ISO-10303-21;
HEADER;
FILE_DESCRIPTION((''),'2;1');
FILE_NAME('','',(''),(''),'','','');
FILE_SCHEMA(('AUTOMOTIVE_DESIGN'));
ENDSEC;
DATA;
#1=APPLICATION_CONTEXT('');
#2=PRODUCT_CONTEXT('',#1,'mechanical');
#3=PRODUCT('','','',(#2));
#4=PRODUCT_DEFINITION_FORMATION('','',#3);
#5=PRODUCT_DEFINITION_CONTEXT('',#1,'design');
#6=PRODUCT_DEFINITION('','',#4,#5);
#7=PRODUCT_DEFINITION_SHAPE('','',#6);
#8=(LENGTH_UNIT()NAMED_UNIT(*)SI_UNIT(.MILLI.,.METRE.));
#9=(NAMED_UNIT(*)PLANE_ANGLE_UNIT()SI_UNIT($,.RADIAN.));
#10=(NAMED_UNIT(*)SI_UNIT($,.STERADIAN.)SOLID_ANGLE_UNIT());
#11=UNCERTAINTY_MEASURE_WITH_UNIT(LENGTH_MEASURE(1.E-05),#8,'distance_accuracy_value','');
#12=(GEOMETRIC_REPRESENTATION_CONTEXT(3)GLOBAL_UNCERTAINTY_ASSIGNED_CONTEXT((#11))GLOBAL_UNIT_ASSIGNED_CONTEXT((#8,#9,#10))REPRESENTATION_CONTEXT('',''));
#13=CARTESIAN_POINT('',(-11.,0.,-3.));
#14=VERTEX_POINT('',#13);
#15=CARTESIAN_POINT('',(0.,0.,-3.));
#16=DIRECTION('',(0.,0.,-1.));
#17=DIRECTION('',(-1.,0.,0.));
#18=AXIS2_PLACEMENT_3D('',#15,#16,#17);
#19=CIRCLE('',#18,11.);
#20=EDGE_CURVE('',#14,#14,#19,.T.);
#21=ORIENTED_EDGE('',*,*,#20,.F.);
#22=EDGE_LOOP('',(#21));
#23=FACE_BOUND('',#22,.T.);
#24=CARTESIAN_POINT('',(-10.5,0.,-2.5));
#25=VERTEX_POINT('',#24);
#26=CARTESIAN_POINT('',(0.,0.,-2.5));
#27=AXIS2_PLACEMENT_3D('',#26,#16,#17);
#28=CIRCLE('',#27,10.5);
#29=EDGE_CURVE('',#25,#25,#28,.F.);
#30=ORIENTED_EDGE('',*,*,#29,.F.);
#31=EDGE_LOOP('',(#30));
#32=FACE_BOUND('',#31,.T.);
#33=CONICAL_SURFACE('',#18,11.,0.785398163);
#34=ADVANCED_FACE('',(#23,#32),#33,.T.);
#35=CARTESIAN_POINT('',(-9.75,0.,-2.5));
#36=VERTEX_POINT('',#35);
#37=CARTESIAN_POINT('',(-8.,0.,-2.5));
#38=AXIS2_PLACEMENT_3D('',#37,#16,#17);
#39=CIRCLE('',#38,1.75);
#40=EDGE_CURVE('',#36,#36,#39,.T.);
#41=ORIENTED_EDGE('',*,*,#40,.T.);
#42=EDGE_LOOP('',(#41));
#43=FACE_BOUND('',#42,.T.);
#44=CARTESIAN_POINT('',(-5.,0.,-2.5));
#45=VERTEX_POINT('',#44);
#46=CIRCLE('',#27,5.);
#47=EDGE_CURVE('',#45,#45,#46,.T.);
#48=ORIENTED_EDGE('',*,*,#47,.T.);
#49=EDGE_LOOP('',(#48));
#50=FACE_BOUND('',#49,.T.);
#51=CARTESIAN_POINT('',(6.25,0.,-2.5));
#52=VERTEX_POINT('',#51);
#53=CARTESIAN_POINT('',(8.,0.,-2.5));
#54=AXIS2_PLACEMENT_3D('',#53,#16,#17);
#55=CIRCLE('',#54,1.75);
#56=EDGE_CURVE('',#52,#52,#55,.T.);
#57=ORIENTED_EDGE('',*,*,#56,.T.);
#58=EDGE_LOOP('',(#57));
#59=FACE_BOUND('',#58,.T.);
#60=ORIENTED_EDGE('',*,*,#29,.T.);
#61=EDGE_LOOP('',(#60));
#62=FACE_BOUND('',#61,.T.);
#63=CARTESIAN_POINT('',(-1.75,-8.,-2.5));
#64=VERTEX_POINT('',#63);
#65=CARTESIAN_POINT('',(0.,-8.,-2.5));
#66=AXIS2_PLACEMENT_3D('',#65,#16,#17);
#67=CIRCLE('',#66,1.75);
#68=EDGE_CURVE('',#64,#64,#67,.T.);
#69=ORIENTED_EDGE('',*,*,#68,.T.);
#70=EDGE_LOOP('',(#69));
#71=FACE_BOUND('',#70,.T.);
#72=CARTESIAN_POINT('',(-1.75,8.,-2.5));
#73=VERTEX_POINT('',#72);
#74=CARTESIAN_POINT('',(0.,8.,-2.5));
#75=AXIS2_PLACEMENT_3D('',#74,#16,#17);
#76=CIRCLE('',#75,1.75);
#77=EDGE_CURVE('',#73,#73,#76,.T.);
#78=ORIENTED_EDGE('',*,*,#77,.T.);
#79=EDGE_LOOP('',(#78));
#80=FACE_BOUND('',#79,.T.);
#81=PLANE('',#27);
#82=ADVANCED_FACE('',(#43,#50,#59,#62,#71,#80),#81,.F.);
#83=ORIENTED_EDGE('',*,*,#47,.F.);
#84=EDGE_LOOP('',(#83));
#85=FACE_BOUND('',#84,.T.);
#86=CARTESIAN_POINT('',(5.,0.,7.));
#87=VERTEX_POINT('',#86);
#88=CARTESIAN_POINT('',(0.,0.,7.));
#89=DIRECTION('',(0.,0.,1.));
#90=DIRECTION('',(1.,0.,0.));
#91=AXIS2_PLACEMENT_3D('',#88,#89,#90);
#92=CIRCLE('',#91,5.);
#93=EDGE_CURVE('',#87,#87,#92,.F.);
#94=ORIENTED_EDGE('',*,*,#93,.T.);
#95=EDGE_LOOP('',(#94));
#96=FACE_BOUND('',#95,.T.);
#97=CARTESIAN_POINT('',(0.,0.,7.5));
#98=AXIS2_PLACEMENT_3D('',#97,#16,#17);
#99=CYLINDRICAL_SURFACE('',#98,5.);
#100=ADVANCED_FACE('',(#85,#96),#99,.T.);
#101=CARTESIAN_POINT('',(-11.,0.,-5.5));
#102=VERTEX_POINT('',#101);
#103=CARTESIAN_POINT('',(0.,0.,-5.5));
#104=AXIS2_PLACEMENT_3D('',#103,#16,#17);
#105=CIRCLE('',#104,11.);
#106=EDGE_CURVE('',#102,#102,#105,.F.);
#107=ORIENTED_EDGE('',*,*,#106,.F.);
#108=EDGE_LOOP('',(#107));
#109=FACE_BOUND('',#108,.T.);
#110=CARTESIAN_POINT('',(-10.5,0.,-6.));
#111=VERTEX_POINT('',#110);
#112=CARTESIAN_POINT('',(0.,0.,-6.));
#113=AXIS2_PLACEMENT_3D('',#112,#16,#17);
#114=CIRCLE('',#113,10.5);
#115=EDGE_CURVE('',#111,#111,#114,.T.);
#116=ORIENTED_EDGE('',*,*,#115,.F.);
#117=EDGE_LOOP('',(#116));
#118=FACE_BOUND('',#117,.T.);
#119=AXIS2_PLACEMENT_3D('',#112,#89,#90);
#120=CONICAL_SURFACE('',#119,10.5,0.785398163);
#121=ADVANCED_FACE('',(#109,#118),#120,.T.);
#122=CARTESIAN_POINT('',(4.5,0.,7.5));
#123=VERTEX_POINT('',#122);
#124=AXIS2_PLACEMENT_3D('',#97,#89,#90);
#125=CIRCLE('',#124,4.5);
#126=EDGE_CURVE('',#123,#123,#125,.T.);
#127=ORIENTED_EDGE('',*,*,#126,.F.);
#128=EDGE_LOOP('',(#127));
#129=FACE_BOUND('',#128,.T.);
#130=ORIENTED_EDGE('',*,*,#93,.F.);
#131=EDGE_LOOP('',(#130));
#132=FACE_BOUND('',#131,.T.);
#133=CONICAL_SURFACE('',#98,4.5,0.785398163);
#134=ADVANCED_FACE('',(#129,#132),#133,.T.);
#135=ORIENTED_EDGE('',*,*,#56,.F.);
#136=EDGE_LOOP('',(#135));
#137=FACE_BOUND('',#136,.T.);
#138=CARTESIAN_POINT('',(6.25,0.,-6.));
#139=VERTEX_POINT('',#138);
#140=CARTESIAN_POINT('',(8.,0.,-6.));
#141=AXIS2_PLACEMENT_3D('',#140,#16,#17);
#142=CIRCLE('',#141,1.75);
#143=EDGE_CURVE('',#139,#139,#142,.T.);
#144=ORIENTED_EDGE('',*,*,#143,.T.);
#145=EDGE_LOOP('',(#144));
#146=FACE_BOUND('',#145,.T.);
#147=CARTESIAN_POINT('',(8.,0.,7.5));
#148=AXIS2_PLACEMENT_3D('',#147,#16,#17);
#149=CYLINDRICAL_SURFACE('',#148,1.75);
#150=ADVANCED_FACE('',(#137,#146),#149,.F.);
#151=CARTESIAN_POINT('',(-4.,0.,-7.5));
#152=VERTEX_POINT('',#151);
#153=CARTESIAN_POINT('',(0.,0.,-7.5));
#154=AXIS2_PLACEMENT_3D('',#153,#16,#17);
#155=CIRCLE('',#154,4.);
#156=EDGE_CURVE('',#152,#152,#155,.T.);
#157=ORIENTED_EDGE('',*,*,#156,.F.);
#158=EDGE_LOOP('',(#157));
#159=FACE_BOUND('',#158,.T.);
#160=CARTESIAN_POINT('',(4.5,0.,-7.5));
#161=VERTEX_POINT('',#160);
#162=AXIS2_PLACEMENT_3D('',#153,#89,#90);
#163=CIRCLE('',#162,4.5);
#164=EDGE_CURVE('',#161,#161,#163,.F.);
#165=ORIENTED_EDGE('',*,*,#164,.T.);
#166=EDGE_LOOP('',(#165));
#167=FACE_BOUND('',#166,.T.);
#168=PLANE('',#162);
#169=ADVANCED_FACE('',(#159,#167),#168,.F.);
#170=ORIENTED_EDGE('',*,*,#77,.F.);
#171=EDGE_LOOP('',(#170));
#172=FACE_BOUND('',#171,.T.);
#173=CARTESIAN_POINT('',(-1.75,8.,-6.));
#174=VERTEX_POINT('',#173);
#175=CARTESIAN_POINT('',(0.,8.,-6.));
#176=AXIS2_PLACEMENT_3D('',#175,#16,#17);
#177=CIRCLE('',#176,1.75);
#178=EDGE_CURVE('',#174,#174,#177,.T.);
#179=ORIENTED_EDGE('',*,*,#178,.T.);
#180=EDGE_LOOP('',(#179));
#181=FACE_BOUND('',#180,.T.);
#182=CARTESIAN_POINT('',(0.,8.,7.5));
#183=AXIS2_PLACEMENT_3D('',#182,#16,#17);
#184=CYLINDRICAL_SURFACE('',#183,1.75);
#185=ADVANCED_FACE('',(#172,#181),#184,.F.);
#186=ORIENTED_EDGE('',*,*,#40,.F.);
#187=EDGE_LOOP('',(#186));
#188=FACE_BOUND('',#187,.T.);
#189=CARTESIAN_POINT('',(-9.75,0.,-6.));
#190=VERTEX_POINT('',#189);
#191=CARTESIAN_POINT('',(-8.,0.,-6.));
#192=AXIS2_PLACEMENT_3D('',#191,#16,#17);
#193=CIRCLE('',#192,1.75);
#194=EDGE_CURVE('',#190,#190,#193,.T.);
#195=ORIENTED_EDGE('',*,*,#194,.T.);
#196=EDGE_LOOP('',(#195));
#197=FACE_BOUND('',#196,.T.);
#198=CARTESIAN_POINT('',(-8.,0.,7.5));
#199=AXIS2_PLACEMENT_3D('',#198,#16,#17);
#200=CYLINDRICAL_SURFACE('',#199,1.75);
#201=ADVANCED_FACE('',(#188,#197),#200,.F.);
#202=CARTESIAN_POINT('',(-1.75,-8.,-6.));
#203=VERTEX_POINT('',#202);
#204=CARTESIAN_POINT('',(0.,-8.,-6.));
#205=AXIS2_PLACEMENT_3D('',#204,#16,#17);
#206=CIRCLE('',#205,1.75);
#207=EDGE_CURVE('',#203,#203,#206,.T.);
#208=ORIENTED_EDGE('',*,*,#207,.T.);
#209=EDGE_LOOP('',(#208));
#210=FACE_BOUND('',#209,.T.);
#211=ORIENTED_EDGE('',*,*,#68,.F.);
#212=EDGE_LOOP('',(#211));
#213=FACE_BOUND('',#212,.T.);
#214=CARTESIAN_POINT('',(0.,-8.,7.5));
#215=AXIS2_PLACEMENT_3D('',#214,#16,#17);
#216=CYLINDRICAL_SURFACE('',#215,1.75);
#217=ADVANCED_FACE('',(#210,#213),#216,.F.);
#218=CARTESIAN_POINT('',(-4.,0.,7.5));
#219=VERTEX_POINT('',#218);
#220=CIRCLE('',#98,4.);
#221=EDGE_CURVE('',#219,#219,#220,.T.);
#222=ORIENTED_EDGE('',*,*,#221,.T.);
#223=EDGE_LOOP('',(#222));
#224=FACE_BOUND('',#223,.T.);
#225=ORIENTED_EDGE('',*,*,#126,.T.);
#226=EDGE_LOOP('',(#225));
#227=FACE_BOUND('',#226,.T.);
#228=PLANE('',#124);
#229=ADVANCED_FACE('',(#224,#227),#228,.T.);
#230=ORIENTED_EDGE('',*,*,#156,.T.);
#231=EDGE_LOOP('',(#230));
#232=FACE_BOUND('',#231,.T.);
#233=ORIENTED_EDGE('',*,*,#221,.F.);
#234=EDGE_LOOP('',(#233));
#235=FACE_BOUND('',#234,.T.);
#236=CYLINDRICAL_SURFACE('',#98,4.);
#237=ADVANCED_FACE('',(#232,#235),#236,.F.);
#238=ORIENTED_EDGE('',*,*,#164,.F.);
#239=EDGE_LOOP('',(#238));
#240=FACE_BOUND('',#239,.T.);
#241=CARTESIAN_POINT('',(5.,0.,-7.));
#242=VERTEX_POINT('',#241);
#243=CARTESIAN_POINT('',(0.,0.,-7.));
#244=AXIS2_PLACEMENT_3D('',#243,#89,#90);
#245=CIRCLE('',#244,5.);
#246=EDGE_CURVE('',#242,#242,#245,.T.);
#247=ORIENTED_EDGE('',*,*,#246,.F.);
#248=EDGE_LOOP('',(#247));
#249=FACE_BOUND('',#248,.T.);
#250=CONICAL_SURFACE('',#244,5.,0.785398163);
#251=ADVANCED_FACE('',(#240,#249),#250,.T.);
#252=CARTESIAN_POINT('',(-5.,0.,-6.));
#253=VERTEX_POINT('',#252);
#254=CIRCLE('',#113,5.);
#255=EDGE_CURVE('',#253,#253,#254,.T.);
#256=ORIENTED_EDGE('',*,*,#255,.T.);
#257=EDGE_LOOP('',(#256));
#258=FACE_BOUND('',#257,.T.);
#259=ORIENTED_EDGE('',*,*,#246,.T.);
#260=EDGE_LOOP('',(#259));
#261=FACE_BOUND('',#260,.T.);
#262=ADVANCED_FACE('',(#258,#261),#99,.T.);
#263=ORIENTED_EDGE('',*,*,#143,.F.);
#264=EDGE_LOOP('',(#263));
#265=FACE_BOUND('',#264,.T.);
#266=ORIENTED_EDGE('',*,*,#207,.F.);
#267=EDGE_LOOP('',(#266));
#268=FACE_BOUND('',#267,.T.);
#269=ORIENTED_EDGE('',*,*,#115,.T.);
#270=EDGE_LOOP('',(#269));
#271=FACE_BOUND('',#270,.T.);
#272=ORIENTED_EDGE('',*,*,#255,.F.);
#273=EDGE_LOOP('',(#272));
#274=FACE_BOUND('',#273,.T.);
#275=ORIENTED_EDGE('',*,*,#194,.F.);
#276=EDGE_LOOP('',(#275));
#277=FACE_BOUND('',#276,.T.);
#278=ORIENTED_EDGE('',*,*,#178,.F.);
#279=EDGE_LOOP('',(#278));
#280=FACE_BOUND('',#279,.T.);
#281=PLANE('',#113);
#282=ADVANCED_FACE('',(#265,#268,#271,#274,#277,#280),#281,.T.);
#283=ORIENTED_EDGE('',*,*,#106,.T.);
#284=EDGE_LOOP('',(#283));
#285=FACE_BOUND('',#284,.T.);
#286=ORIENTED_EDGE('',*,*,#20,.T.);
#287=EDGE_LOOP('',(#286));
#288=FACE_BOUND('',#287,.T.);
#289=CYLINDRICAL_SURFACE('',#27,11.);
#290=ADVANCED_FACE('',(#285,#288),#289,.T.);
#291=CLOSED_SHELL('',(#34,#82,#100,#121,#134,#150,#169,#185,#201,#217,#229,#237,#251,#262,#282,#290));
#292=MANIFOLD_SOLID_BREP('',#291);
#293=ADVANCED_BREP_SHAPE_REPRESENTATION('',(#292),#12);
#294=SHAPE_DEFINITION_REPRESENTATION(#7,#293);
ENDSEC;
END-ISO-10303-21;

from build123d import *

# Parameters (mm, degrees)
SKETCH_1_R          = 5
EXTRUDE_1_DEPTH     = 7.5
EXTRUDE_START       = -1.5
SKETCH_2_R          = 11
EXTRUDE_2_DEPTH     = 3.5
SKETCH_3_R          = 4
CUT_EXTRUDE_1_DEPTH = 16
SKETCH_4_R          = 1.75
CUT_EXTRUDE_2_DEPTH = 14.5
CHAMFER_1_SIZE      = 0.5


with BuildPart() as part:
    # 草图1 → 凸台-拉伸1 (new body, symmetric)
    with BuildSketch(Plane.XY):
        Circle(SKETCH_1_R)
    extrude(amount=EXTRUDE_1_DEPTH, both=True)

    # 草图2 → 凸台-拉伸2 (add)
    with BuildSketch(Plane(origin=(0, 0, -7.5), x_dir=(-1, 0, 0), z_dir=(0, 0, -1)).offset(EXTRUDE_START)):
        Circle(SKETCH_2_R)
    extrude(amount=-EXTRUDE_2_DEPTH)

    # 草图3 → 切除-拉伸1 (cut, through all)
    with BuildSketch(Plane(origin=(0, 0, -7.5), x_dir=(-1, 0, 0), z_dir=(0, 0, -1))):
        Circle(SKETCH_3_R)
    extrude(amount=-CUT_EXTRUDE_1_DEPTH, mode=Mode.SUBTRACT)

    # 草图4 → 切除-拉伸2 (cut, through all)
    with BuildSketch(Plane(origin=(0, 0, -6), x_dir=(-1, 0, 0), z_dir=(0, 0, -1))):
        with Locations((0, 8)):
            Circle(SKETCH_4_R)
        with Locations((8, 0)):
            Circle(SKETCH_4_R)
        with Locations((0, -8)):
            Circle(SKETCH_4_R)
        with Locations((-8, 0)):
            Circle(SKETCH_4_R)
    extrude(amount=-CUT_EXTRUDE_2_DEPTH, mode=Mode.SUBTRACT)

    # 倒角1
    chamfer_1_edges = [part.edges().sort_by_distance(p)[0] for p in [
        (-5, 0, -7.5),
        (-5, 0, 7.5),
        (11, 0, -2.5),
        (11, 0, -6),
    ]]
    chamfer(chamfer_1_edges, length=CHAMFER_1_SIZE)


solid = part.part
